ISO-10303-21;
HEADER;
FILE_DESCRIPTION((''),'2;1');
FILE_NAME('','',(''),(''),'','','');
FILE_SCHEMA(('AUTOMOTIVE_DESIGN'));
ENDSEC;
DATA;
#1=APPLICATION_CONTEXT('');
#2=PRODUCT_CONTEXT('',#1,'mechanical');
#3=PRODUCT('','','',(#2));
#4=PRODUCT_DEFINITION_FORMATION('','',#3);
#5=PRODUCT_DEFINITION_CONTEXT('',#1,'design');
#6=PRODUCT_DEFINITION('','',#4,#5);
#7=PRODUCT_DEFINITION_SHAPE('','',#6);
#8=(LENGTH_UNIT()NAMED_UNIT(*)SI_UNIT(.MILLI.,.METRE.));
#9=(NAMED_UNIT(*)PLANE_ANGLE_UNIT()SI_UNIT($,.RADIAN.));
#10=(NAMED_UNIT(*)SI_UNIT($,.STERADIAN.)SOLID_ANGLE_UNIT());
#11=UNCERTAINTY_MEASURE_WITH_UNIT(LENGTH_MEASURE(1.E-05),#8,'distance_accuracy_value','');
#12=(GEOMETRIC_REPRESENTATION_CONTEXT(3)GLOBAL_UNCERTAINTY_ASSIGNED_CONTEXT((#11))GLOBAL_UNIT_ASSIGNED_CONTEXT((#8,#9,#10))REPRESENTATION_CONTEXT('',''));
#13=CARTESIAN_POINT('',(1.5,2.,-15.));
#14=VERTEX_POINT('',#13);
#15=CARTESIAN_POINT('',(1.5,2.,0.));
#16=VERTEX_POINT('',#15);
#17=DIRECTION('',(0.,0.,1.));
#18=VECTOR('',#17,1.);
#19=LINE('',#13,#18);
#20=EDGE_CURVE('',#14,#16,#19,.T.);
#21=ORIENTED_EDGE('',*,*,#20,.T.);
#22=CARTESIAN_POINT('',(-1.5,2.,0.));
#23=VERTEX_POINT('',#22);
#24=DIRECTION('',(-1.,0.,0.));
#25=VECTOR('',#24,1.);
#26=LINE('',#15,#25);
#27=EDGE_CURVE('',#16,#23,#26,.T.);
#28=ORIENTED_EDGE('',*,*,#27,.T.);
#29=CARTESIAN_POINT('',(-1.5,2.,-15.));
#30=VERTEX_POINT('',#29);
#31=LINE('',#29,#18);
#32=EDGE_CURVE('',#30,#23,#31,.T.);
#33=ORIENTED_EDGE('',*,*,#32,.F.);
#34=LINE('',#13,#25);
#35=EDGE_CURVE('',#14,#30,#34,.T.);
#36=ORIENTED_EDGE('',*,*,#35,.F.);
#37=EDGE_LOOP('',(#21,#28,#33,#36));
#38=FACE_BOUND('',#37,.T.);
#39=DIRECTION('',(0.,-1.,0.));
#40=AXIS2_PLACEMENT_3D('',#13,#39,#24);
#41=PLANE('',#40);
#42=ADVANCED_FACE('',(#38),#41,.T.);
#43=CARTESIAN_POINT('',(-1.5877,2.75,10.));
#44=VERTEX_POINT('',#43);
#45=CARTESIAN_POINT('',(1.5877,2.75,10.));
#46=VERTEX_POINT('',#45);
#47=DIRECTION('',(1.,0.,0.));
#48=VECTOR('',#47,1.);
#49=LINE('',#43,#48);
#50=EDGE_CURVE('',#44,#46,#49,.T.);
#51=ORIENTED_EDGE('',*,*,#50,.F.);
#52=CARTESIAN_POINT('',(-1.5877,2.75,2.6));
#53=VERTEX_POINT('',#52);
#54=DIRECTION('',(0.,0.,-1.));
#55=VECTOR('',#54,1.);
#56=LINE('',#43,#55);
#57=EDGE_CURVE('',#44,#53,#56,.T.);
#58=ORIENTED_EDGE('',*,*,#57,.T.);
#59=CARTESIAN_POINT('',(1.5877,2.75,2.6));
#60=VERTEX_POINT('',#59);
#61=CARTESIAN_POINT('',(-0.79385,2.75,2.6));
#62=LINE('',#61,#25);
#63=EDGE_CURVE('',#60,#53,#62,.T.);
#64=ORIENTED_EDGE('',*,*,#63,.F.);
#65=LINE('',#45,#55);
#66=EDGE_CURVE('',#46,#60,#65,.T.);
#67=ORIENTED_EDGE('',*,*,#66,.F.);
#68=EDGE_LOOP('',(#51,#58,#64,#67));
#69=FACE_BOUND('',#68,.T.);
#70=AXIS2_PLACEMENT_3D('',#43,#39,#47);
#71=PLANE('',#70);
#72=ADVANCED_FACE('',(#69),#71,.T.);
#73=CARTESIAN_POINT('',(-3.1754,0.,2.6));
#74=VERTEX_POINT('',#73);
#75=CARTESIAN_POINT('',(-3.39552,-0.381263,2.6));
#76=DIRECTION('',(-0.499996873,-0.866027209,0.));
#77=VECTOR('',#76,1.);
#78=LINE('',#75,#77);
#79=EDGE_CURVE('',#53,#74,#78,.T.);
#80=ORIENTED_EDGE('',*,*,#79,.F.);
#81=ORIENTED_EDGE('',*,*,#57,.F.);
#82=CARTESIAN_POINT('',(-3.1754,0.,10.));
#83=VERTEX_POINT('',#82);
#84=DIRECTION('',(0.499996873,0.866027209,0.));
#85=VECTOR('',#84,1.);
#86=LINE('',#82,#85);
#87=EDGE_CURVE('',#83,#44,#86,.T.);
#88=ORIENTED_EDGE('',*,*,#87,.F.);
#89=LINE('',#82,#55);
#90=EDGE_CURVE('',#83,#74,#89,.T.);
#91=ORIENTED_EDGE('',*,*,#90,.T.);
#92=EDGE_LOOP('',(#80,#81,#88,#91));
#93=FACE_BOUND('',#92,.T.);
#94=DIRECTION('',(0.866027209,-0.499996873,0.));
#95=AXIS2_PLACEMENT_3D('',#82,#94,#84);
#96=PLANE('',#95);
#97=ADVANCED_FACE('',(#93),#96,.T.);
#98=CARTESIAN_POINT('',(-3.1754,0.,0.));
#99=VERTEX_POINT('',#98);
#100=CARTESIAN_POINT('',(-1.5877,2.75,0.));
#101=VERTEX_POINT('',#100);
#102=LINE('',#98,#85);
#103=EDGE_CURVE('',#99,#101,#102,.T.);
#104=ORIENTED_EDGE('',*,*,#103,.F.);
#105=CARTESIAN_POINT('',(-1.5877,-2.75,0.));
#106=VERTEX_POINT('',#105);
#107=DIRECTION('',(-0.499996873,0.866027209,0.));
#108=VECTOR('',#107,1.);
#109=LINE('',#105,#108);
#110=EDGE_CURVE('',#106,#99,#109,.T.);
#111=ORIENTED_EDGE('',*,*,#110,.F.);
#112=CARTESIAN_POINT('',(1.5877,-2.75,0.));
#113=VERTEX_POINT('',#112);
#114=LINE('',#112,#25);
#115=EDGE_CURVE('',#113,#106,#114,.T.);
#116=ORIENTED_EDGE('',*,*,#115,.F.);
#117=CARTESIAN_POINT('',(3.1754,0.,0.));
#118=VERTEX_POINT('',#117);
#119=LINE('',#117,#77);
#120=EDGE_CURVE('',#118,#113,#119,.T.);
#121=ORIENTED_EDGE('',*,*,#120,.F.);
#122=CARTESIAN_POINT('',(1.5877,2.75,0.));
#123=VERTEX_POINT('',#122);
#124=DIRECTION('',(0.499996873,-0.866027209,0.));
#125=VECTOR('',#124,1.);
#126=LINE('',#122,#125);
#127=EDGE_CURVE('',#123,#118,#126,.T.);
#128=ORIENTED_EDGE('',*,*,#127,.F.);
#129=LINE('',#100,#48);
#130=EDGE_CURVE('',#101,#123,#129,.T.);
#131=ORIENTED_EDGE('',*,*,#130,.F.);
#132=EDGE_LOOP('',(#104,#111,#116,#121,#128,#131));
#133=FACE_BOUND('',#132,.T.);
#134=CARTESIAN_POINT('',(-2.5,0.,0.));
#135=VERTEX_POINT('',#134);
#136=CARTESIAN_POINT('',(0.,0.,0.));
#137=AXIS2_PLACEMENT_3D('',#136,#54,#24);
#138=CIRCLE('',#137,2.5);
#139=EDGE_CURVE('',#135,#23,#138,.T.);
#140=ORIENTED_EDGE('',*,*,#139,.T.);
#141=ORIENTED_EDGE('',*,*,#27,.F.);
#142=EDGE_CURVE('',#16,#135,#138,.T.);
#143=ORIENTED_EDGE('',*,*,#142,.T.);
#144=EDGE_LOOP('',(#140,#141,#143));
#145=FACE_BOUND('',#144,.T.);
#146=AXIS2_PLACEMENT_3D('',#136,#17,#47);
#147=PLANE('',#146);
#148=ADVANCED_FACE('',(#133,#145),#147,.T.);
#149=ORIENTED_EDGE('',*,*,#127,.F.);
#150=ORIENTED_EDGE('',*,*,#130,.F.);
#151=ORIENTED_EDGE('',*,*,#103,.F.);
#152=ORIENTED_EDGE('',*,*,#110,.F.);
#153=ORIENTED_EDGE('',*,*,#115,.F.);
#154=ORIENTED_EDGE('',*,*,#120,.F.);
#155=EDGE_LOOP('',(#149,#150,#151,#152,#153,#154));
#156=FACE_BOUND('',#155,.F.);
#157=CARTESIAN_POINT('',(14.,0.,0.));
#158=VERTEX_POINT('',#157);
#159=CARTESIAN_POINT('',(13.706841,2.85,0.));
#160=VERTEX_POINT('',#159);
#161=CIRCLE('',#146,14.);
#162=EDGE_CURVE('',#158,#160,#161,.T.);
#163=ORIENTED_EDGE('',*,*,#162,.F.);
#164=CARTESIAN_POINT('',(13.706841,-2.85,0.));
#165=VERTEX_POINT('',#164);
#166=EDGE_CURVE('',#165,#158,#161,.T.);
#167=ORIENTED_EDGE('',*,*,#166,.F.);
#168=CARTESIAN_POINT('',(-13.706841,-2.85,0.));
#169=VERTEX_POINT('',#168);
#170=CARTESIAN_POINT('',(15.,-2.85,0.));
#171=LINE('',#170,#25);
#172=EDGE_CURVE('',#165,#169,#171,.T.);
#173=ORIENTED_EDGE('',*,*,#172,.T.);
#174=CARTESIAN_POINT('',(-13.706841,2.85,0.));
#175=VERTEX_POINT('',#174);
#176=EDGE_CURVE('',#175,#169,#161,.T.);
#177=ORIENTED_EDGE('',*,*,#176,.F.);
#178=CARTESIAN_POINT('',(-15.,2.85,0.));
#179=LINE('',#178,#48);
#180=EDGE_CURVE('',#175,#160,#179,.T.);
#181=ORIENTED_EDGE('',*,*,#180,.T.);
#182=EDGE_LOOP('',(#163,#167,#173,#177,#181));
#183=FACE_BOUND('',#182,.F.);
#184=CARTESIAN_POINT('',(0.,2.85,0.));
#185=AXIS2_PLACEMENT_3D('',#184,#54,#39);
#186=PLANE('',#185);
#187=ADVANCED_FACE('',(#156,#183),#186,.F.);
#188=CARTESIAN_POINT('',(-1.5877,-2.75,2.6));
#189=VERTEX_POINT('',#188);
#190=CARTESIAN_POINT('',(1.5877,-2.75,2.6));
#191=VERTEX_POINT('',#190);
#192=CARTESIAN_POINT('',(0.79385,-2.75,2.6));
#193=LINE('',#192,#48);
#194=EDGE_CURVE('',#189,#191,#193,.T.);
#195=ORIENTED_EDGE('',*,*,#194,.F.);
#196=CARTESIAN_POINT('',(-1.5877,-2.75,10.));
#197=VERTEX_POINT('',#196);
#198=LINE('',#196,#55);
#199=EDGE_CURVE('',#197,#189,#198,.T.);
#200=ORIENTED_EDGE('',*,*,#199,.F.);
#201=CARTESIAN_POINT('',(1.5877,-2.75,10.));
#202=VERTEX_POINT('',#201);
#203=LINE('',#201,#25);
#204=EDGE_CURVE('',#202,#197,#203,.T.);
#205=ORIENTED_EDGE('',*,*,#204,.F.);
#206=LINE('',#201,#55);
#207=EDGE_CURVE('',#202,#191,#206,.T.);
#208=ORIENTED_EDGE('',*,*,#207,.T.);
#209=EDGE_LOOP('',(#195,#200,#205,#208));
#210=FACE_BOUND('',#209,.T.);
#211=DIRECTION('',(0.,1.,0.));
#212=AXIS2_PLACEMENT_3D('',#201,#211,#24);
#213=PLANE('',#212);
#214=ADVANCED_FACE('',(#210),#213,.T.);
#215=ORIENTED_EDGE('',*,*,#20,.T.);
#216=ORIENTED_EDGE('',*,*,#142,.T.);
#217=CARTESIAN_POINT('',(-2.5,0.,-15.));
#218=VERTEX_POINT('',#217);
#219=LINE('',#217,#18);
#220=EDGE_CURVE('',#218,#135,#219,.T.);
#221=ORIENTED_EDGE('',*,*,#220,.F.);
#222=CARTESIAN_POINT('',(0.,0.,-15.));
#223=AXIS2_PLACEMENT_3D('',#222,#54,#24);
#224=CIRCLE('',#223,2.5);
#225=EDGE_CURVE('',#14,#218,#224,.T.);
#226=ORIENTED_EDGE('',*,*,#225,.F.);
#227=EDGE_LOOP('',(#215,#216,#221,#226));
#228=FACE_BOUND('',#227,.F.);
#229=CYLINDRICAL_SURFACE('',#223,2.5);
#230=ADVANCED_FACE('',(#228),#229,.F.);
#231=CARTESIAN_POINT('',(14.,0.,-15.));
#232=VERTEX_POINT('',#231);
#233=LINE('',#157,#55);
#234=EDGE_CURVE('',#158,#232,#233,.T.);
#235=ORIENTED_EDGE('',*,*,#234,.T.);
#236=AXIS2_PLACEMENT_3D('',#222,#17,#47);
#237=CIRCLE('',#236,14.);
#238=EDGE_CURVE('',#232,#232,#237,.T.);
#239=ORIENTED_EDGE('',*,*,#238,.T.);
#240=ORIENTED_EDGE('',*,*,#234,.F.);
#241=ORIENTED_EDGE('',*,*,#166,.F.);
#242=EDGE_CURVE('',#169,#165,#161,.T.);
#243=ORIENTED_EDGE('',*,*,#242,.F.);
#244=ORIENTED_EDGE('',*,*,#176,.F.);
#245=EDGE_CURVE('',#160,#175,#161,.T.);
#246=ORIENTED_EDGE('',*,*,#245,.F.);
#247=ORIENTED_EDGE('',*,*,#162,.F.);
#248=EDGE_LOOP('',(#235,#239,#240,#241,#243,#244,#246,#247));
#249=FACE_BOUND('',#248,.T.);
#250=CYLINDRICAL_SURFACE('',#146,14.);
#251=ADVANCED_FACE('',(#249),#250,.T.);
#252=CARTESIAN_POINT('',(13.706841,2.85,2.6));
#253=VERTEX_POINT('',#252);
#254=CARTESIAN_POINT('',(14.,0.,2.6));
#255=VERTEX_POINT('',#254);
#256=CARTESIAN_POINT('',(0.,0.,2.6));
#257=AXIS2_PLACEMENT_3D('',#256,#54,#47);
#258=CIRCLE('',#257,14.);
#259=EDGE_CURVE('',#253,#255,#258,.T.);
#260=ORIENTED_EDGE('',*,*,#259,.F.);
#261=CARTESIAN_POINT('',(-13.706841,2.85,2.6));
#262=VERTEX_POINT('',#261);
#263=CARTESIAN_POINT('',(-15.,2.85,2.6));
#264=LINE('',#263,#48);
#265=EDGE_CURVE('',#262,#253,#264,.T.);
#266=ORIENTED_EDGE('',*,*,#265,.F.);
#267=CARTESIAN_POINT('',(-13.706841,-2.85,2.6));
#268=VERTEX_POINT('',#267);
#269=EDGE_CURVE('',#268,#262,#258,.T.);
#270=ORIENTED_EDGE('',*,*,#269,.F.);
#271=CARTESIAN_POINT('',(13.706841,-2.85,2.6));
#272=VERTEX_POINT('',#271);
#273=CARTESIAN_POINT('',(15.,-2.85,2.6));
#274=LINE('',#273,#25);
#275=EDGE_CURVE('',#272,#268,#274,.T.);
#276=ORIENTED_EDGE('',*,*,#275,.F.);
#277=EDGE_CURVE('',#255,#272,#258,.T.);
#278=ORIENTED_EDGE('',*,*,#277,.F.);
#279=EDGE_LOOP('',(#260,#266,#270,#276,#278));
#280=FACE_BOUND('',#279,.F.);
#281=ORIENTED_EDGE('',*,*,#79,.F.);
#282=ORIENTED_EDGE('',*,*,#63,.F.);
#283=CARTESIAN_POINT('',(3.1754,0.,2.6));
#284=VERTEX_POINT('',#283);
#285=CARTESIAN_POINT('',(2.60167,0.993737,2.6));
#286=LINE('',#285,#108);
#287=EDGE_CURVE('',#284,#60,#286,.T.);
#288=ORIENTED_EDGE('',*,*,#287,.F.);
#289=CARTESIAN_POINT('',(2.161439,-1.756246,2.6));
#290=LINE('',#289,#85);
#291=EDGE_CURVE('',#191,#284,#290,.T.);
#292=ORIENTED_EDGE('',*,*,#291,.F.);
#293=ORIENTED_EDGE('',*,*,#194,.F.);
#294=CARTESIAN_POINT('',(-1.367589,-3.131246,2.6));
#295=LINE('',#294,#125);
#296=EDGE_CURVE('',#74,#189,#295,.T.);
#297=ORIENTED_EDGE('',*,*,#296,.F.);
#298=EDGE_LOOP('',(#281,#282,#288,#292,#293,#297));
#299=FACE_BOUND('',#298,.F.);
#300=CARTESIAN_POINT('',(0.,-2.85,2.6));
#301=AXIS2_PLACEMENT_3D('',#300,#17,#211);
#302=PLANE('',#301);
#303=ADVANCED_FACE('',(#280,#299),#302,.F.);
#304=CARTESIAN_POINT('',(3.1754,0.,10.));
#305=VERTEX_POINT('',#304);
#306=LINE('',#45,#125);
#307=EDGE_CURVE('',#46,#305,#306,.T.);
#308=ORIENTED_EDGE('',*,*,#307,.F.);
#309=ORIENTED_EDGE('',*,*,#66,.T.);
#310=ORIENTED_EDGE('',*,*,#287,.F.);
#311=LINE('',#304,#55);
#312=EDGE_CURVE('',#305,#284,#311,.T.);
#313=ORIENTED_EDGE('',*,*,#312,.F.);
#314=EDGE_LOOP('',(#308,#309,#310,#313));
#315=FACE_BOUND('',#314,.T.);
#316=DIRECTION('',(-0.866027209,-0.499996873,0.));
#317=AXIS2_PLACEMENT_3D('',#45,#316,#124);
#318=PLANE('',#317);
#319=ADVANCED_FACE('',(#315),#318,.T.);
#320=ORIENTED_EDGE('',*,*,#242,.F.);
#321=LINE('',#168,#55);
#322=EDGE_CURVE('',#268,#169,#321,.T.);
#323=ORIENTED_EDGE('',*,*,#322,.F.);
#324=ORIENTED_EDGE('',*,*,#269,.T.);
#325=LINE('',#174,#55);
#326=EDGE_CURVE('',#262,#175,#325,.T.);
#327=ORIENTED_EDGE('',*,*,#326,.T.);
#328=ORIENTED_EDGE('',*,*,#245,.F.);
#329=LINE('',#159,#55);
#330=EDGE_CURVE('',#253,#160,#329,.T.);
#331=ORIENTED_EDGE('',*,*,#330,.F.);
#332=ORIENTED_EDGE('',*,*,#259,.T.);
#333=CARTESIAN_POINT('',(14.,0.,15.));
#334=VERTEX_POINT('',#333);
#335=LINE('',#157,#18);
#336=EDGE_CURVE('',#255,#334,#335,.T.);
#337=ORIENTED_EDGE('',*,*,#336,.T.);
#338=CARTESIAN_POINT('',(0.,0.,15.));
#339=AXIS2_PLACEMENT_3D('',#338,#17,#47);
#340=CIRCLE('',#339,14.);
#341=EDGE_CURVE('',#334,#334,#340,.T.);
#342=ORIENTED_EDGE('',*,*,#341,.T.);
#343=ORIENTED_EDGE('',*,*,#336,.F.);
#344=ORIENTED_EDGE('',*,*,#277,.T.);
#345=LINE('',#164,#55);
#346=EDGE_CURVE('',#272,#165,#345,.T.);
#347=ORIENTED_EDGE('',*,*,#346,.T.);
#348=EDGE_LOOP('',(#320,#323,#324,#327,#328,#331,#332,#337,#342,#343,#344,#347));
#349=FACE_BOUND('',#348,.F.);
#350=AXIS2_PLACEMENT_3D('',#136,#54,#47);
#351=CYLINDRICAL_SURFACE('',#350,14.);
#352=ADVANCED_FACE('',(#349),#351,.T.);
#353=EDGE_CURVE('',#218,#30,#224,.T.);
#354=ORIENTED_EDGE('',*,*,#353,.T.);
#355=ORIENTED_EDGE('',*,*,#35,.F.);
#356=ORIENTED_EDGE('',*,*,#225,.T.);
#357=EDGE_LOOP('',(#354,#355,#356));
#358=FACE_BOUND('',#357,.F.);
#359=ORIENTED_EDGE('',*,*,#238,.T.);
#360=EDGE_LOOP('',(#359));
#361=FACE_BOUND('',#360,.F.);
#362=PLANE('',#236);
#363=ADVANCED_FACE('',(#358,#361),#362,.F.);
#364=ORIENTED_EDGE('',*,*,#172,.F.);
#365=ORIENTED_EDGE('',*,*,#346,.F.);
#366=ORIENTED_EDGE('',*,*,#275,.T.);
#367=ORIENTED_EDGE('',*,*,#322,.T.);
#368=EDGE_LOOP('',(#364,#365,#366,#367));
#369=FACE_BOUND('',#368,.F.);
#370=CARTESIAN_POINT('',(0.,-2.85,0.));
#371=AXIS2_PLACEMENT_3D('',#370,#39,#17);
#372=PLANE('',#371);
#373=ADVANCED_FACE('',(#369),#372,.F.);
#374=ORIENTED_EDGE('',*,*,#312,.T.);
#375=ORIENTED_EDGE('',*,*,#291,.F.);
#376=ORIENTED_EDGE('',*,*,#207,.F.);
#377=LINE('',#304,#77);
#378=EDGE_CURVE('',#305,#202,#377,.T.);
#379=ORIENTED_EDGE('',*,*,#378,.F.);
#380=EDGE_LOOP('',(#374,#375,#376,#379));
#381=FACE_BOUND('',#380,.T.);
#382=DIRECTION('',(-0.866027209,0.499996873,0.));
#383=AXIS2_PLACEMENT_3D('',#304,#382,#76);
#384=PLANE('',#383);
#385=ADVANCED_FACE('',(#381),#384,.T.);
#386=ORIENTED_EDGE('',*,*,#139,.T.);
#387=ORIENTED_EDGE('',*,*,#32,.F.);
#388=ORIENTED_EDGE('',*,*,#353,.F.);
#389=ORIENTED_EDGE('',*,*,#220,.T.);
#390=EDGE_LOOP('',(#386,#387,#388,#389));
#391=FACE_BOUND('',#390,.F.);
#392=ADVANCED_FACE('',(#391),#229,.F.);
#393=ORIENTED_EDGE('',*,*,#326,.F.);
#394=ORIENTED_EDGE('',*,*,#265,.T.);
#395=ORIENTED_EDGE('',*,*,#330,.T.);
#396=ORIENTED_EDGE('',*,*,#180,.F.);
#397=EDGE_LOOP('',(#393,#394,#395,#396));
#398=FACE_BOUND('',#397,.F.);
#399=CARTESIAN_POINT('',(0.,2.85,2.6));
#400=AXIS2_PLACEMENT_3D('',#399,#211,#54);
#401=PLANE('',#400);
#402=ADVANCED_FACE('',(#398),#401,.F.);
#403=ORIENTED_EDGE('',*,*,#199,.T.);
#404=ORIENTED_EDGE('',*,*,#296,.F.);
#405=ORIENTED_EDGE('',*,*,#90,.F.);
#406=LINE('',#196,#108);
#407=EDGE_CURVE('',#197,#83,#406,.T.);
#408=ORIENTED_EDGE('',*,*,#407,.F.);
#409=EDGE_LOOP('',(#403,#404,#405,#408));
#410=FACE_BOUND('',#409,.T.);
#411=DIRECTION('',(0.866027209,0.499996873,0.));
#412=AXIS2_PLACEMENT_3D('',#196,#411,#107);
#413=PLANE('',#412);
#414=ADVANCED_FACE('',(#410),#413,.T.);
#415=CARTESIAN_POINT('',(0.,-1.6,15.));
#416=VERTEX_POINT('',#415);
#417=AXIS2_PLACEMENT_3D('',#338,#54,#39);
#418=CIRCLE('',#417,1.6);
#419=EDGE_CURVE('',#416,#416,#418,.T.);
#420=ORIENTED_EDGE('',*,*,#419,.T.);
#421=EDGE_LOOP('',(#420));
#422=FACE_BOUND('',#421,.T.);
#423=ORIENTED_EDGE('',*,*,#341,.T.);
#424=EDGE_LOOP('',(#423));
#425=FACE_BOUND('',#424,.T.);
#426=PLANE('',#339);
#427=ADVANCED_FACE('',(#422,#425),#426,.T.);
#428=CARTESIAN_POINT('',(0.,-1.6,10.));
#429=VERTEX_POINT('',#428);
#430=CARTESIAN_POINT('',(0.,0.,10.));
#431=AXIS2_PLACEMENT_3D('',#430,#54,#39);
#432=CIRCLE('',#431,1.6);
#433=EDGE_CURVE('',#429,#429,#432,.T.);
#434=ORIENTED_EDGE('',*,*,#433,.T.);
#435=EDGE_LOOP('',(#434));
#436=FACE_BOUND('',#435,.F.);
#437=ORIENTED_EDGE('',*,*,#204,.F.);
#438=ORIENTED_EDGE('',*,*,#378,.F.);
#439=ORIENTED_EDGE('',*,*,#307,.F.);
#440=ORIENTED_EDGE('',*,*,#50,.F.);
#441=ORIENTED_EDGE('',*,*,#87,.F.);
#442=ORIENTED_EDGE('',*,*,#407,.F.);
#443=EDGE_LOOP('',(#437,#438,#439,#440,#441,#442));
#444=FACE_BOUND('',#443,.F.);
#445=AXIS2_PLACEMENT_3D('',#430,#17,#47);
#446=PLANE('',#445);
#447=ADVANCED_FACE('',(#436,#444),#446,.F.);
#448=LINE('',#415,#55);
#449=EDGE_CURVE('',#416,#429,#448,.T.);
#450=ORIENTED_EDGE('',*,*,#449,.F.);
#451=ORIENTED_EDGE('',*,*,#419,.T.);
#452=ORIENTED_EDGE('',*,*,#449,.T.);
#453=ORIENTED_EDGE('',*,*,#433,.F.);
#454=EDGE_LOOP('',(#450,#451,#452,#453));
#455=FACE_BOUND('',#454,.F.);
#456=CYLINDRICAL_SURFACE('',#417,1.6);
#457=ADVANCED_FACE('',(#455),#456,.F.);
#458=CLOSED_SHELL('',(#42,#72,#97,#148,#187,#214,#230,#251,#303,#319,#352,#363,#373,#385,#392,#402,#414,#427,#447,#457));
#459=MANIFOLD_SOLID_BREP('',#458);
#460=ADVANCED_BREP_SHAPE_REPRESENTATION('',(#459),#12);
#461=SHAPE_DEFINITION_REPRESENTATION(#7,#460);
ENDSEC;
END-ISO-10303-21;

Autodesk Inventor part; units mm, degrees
ref_plane "YZ Plane" through (0, 0, 0) normal (1, 0, 0) x (0, 1, 0)
ref_plane "XZ Plane" through (0, 0, 0) normal (0, 1, 0) x (-1, 0, 0)
ref_plane "XY Plane" through (0, 0, 0) normal (0, 0, 1) x (1, 0, 0)
sketch "Sketch2" plane through (0, 0, 0) normal (0, 0, 1) x (1, 0, 0)
  circle A0 centre (0, 0) radius 14
  dimension "d1" = 28
extrude "Extrusion1" add sketch "Sketch2" along normal mid plane 30
sketch "Sketch3" plane through (0, 0, 15) normal (0, 0, 1) x (1, 0, 0)
  point P0 (0, 0)
hole "Hole1" at (0, 0, 15) direction (0, 0, -1) diameter 3.2 depth 5 clearance for "Flat Head Machine Screw" size "M3" standard "Ansi Metric M Profile"
sketch "Sketch4" plane through (0, 0, 10) normal (0, 0, 1) x (1, 0, 0)
  circle A0 centre (0, 0) radius 1.6 projected
  line L0 (-1.5877, 2.75) -> (1.5877, 2.75)
  line L1 (1.5877, 2.75) -> (3.1754, 0)
  line L2 (3.1754, 0) -> (1.5877, -2.75)
  line L3 (1.5877, -2.75) -> (-1.5877, -2.75)
  line L4 (-1.5877, -2.75) -> (-3.1754, 0)
  line L5 (-3.1754, 0) -> (-1.5877, 2.75)
  dimension "d11" = 5.5
extrude "Extrusion2" cut sketch "Sketch4" against normal up to surface (10 mm away) contours A0 | L0 L1 L2 L3 L4 L5
sketch "Sketch5" plane through (0, 0, -15) normal (0, 0, -1) x (-1, 0, 0)
  circle A0 centre (0, 0) radius 2.5
  line L0 (-1.5, 2) -> (1.5, 2)
  dimension "d41" = 5
  dimension "d42" = 4.5
extrude "Extrusion3" cut sketch "Sketch5" against normal up to surface (15 mm away) contours A0 L0 picked at (0.1119, 0.5076)
sketch "Sketch8" plane through (0, 0, 0) normal (1, 0, 0) x (0, 1, 0)
  line L0 (2.85, 0) -> (-2.85, 0)
  line L1 (-2.85, 0) -> (-2.85, 2.6)
  line L2 (-2.85, 2.6) -> (2.85, 2.6)
  line L3 (2.85, 2.6) -> (2.85, 0)
  point P0 (0, 0)
  dimension "d48" = 2.6
  dimension "d49" = 5.7
extrude "Extrusion4" cut sketch "Sketch8" along normal through all both and the other way through all
equation "\"d30\" = 55deg"
equation "\"Sketch6_Pitch\" = 1.25"
properties part number "DestinationSpoolHolder"
